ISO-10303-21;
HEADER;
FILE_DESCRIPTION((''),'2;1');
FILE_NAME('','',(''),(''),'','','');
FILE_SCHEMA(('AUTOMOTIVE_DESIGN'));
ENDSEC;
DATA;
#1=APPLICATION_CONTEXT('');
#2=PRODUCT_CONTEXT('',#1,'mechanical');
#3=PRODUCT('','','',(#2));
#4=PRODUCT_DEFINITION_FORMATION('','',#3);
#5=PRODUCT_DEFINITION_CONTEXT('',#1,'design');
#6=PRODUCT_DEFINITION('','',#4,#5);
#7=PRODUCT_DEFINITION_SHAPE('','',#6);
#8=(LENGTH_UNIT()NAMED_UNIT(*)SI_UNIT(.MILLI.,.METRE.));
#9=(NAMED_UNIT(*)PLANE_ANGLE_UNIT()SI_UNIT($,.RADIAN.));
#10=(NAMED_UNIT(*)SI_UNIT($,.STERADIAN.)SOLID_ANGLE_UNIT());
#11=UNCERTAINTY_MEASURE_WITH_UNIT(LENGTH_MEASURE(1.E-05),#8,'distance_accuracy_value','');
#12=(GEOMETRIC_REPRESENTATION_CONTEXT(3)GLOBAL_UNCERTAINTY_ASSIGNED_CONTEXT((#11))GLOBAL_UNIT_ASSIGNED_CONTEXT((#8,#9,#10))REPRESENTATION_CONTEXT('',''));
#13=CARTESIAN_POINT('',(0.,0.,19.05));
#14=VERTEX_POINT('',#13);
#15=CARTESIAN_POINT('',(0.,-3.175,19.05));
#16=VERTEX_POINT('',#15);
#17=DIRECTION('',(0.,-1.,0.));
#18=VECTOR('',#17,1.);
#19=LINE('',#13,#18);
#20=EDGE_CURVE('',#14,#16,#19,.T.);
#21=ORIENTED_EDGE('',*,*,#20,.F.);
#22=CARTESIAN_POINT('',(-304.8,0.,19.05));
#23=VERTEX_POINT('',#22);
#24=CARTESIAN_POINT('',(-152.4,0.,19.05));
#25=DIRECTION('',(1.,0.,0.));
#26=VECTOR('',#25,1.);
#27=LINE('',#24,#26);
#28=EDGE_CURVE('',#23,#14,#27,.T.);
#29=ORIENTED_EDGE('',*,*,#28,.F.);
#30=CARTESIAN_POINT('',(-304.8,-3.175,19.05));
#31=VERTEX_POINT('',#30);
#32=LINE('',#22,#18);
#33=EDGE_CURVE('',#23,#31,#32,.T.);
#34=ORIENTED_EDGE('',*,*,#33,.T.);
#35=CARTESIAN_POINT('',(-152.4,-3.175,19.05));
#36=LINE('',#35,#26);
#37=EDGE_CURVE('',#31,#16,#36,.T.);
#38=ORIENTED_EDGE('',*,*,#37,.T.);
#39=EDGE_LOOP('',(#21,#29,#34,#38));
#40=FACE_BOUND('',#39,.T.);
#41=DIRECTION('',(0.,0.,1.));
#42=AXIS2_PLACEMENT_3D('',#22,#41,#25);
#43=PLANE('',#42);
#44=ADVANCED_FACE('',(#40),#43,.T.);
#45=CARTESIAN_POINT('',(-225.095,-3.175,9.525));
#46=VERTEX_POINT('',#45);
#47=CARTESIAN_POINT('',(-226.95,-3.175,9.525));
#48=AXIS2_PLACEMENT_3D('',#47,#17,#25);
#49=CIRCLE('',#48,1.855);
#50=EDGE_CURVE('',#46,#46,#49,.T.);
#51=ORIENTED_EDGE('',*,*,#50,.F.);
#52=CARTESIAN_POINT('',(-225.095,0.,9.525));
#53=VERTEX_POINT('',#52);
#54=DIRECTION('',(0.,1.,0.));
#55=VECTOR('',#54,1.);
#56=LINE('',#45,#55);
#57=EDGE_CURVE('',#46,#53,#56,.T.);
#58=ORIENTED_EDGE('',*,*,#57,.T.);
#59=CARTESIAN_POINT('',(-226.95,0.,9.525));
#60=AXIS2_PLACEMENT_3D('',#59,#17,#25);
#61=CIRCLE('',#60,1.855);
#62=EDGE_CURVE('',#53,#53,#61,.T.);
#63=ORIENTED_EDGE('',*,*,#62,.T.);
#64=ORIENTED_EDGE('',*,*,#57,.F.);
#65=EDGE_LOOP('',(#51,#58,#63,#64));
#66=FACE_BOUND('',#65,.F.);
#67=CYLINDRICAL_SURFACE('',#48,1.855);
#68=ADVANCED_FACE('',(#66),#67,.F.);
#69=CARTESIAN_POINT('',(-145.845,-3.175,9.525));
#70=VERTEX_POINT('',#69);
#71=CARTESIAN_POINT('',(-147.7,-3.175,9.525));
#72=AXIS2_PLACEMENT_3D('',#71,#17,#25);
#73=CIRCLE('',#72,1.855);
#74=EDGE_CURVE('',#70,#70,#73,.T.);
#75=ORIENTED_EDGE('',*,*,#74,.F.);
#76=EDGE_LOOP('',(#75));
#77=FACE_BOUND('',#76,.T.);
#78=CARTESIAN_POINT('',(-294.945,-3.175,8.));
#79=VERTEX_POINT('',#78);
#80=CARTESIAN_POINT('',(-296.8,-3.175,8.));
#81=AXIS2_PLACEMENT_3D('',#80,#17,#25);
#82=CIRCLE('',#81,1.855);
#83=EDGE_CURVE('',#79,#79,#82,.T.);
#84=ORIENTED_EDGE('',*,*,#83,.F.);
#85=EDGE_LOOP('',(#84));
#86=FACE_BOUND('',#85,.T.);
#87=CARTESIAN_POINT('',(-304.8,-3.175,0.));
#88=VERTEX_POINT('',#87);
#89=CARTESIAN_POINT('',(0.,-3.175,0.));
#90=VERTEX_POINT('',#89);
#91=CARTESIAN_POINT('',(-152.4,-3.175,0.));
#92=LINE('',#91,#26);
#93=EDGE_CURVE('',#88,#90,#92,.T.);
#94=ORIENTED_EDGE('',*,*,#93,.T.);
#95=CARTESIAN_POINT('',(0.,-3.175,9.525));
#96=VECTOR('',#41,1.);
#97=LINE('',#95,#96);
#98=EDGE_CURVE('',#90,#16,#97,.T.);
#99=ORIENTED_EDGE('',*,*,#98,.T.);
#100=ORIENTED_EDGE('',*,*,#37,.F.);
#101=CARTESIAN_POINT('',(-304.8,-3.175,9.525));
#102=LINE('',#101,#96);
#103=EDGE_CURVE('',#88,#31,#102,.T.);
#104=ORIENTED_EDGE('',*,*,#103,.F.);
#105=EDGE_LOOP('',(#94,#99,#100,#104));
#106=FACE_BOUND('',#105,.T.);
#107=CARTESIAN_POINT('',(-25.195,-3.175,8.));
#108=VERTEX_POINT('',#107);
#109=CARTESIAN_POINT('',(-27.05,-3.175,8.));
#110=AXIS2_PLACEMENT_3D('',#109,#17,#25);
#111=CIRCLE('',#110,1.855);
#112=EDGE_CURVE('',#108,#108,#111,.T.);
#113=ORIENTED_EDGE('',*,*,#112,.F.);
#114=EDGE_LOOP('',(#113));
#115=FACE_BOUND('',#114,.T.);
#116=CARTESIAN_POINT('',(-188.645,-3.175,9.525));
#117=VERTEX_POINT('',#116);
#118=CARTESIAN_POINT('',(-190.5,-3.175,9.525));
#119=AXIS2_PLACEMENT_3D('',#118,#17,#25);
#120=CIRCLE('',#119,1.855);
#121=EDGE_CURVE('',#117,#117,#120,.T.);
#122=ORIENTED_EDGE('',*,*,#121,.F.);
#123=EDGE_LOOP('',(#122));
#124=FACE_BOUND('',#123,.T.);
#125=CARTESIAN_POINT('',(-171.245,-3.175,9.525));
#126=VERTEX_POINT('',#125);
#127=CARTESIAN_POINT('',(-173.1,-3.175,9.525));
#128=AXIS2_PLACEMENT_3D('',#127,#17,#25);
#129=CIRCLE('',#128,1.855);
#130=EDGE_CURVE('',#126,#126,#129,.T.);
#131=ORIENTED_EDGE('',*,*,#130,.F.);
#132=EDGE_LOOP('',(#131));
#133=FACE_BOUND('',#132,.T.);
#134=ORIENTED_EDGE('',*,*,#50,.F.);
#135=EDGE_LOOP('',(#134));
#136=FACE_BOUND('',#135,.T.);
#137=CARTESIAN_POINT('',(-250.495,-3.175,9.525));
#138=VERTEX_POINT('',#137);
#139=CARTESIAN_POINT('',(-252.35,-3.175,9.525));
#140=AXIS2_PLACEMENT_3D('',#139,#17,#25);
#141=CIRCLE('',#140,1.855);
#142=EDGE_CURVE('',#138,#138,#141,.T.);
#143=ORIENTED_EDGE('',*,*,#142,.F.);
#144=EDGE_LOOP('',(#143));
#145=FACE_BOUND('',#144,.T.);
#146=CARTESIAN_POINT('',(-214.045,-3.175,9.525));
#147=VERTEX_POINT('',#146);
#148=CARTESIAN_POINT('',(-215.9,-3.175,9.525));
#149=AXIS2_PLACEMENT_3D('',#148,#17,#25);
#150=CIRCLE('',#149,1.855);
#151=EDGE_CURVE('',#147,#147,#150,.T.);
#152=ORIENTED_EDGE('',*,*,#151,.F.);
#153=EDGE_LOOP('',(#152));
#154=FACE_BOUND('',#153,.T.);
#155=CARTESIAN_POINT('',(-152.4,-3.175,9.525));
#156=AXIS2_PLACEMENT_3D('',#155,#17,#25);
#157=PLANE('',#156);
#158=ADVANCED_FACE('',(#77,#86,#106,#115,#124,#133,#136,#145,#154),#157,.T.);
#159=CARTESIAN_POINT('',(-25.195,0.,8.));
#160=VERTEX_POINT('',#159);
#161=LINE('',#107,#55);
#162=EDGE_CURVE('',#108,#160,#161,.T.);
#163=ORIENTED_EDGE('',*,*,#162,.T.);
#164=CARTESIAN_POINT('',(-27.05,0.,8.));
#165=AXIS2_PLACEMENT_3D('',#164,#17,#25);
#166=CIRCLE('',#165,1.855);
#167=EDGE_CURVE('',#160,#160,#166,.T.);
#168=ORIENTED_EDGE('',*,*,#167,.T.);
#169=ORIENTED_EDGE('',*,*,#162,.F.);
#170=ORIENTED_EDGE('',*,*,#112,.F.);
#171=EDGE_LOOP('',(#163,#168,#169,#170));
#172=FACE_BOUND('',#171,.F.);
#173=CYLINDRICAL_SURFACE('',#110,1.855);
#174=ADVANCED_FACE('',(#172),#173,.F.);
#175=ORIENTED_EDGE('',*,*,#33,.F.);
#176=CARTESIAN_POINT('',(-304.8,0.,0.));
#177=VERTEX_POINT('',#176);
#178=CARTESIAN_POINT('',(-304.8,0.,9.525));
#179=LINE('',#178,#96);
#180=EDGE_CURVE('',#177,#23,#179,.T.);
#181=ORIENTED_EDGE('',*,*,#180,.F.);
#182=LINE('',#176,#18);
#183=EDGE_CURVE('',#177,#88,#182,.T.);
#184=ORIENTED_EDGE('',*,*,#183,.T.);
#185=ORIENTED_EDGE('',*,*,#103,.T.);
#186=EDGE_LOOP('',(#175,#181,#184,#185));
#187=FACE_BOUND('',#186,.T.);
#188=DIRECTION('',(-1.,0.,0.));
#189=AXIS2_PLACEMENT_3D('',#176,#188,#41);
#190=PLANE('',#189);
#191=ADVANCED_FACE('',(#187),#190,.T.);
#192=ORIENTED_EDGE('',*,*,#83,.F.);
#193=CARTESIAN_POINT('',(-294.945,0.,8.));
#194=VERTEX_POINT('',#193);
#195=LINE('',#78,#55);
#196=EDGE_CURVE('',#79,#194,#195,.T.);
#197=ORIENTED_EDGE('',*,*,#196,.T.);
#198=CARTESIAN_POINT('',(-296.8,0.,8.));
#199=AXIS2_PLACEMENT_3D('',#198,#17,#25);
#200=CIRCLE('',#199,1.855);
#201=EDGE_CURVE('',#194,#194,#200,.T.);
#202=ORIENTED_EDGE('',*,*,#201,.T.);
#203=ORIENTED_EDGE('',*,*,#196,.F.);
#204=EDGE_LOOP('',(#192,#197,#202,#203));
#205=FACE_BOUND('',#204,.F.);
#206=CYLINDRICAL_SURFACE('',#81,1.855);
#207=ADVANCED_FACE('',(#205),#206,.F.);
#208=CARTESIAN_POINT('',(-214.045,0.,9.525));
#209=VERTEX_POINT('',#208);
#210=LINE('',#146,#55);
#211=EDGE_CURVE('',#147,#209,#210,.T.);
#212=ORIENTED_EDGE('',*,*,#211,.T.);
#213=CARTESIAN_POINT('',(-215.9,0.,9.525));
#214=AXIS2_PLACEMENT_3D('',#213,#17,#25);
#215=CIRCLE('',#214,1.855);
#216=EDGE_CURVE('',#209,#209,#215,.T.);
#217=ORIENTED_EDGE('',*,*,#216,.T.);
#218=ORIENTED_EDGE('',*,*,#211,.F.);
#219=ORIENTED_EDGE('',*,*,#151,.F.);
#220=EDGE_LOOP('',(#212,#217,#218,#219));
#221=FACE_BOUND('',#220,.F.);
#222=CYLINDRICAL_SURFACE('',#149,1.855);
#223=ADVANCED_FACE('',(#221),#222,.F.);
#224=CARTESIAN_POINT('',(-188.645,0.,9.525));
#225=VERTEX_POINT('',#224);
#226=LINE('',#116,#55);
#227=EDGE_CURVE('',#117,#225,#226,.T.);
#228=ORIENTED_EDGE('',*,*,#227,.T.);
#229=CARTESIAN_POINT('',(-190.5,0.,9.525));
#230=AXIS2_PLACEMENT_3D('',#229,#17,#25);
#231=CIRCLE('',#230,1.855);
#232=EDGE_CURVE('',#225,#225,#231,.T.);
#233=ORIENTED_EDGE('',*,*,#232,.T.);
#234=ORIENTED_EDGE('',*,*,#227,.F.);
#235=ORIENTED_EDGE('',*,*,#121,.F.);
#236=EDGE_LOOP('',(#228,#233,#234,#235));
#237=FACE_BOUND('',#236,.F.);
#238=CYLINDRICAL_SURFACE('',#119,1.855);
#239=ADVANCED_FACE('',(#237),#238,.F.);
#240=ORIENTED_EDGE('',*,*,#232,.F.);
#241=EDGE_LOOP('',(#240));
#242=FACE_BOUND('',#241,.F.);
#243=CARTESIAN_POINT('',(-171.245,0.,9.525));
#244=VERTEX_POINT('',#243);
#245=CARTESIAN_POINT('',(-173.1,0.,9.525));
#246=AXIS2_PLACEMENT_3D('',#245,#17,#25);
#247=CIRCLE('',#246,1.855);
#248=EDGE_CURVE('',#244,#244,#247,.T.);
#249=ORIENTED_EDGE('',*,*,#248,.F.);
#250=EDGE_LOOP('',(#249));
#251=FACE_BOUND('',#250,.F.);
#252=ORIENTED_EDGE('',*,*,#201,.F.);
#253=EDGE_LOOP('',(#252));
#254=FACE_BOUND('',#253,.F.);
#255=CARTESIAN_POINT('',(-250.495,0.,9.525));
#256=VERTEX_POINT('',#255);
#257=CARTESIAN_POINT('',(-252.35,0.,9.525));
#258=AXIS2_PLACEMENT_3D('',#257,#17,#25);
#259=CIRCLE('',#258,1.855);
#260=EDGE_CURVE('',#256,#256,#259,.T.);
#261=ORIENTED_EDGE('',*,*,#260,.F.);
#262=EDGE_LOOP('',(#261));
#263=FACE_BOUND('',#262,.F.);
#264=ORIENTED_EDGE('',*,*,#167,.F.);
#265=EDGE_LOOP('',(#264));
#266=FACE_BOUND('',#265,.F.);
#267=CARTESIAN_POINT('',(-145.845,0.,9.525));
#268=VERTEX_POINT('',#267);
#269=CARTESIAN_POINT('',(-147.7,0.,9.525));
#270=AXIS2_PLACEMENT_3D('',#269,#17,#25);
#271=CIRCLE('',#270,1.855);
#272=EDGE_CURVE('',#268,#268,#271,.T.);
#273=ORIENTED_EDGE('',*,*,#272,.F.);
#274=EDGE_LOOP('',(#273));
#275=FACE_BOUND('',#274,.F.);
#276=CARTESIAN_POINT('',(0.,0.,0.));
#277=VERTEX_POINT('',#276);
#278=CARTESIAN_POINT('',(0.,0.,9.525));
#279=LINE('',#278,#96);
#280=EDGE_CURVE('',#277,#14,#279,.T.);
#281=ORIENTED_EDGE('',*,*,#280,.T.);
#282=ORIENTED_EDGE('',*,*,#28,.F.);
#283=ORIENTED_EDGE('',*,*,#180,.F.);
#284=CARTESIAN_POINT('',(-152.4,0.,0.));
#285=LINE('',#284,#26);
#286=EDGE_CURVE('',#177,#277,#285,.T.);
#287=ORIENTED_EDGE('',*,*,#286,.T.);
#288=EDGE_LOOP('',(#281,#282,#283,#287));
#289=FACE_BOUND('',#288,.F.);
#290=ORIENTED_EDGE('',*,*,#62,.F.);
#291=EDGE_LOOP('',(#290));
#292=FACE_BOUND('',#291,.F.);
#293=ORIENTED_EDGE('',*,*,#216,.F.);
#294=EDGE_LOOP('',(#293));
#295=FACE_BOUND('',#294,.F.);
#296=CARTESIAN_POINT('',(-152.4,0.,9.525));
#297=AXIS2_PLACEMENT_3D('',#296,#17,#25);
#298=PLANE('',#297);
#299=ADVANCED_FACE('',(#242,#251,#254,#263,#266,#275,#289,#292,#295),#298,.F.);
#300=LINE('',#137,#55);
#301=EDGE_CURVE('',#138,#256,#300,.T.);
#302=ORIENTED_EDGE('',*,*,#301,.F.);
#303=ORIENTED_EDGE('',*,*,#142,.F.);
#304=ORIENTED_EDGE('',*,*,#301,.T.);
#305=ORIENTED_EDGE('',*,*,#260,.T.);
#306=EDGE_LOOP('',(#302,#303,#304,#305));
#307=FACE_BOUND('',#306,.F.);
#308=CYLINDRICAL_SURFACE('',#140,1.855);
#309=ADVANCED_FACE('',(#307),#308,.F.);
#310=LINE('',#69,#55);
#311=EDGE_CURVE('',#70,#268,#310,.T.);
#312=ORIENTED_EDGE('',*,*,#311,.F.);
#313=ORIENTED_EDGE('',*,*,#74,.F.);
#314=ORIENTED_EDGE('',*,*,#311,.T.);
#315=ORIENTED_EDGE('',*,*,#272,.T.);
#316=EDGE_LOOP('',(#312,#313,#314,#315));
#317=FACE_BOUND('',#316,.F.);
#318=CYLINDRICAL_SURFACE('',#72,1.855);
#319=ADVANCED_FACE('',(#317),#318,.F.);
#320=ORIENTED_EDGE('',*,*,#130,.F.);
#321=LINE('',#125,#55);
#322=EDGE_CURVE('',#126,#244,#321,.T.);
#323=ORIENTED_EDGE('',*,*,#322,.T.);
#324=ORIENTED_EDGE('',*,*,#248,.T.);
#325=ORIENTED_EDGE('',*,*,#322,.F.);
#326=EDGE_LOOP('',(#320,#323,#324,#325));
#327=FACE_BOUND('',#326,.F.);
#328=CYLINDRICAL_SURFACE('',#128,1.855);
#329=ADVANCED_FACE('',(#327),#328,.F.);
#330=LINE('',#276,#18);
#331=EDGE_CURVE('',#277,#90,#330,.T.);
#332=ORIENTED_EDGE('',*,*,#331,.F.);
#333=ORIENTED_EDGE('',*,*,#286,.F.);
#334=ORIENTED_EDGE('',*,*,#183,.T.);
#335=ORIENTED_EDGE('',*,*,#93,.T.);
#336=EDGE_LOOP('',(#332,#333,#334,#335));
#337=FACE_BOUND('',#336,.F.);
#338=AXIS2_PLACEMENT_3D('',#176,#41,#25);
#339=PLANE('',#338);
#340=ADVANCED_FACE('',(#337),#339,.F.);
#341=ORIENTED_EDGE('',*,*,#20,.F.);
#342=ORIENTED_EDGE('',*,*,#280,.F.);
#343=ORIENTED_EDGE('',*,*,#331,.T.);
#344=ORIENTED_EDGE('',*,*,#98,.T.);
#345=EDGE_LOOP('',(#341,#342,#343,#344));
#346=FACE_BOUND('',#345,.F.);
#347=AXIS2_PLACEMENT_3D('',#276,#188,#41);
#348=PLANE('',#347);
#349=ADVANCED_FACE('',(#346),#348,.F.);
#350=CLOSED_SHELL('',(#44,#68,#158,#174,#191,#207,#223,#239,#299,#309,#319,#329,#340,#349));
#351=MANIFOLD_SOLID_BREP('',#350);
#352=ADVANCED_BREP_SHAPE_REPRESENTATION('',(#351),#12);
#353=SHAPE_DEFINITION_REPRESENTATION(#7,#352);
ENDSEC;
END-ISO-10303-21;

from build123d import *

# Parameters (mm, degrees)
F0_W     = 304.8
F0_H     = 19.05
F1_DEPTH = 3.175
F2_R     = 1.855
F3_DEPTH = 3.175


with BuildPart() as f1:
    # F0 (on Front) → F1 (new body)
    with BuildSketch(Plane.XZ):
        with Locations((-152.4, 9.525)):
            Rectangle(F0_W, F0_H)
    extrude(amount=F1_DEPTH)

    # F2 (on face) → F3 (cut)
    with BuildSketch(Plane.XZ.offset(3.175)):
        with Locations((-296.8, 8)):
            Circle(F2_R)
        with Locations((-215.9, 9.525)):
            Circle(F2_R)
        with Locations((-252.35, 9.525)):
            Circle(F2_R)
        with Locations((-226.95, 9.525)):
            Circle(F2_R)
        with Locations((-190.5, 9.525)):
            Circle(F2_R)
        with Locations((-173.1, 9.525)):
            Circle(F2_R)
        with Locations((-147.7, 9.525)):
            Circle(F2_R)
        with Locations((-27.05, 8)):
            Circle(F2_R)
    extrude(amount=-F3_DEPTH, mode=Mode.SUBTRACT)


solid = f1.part
